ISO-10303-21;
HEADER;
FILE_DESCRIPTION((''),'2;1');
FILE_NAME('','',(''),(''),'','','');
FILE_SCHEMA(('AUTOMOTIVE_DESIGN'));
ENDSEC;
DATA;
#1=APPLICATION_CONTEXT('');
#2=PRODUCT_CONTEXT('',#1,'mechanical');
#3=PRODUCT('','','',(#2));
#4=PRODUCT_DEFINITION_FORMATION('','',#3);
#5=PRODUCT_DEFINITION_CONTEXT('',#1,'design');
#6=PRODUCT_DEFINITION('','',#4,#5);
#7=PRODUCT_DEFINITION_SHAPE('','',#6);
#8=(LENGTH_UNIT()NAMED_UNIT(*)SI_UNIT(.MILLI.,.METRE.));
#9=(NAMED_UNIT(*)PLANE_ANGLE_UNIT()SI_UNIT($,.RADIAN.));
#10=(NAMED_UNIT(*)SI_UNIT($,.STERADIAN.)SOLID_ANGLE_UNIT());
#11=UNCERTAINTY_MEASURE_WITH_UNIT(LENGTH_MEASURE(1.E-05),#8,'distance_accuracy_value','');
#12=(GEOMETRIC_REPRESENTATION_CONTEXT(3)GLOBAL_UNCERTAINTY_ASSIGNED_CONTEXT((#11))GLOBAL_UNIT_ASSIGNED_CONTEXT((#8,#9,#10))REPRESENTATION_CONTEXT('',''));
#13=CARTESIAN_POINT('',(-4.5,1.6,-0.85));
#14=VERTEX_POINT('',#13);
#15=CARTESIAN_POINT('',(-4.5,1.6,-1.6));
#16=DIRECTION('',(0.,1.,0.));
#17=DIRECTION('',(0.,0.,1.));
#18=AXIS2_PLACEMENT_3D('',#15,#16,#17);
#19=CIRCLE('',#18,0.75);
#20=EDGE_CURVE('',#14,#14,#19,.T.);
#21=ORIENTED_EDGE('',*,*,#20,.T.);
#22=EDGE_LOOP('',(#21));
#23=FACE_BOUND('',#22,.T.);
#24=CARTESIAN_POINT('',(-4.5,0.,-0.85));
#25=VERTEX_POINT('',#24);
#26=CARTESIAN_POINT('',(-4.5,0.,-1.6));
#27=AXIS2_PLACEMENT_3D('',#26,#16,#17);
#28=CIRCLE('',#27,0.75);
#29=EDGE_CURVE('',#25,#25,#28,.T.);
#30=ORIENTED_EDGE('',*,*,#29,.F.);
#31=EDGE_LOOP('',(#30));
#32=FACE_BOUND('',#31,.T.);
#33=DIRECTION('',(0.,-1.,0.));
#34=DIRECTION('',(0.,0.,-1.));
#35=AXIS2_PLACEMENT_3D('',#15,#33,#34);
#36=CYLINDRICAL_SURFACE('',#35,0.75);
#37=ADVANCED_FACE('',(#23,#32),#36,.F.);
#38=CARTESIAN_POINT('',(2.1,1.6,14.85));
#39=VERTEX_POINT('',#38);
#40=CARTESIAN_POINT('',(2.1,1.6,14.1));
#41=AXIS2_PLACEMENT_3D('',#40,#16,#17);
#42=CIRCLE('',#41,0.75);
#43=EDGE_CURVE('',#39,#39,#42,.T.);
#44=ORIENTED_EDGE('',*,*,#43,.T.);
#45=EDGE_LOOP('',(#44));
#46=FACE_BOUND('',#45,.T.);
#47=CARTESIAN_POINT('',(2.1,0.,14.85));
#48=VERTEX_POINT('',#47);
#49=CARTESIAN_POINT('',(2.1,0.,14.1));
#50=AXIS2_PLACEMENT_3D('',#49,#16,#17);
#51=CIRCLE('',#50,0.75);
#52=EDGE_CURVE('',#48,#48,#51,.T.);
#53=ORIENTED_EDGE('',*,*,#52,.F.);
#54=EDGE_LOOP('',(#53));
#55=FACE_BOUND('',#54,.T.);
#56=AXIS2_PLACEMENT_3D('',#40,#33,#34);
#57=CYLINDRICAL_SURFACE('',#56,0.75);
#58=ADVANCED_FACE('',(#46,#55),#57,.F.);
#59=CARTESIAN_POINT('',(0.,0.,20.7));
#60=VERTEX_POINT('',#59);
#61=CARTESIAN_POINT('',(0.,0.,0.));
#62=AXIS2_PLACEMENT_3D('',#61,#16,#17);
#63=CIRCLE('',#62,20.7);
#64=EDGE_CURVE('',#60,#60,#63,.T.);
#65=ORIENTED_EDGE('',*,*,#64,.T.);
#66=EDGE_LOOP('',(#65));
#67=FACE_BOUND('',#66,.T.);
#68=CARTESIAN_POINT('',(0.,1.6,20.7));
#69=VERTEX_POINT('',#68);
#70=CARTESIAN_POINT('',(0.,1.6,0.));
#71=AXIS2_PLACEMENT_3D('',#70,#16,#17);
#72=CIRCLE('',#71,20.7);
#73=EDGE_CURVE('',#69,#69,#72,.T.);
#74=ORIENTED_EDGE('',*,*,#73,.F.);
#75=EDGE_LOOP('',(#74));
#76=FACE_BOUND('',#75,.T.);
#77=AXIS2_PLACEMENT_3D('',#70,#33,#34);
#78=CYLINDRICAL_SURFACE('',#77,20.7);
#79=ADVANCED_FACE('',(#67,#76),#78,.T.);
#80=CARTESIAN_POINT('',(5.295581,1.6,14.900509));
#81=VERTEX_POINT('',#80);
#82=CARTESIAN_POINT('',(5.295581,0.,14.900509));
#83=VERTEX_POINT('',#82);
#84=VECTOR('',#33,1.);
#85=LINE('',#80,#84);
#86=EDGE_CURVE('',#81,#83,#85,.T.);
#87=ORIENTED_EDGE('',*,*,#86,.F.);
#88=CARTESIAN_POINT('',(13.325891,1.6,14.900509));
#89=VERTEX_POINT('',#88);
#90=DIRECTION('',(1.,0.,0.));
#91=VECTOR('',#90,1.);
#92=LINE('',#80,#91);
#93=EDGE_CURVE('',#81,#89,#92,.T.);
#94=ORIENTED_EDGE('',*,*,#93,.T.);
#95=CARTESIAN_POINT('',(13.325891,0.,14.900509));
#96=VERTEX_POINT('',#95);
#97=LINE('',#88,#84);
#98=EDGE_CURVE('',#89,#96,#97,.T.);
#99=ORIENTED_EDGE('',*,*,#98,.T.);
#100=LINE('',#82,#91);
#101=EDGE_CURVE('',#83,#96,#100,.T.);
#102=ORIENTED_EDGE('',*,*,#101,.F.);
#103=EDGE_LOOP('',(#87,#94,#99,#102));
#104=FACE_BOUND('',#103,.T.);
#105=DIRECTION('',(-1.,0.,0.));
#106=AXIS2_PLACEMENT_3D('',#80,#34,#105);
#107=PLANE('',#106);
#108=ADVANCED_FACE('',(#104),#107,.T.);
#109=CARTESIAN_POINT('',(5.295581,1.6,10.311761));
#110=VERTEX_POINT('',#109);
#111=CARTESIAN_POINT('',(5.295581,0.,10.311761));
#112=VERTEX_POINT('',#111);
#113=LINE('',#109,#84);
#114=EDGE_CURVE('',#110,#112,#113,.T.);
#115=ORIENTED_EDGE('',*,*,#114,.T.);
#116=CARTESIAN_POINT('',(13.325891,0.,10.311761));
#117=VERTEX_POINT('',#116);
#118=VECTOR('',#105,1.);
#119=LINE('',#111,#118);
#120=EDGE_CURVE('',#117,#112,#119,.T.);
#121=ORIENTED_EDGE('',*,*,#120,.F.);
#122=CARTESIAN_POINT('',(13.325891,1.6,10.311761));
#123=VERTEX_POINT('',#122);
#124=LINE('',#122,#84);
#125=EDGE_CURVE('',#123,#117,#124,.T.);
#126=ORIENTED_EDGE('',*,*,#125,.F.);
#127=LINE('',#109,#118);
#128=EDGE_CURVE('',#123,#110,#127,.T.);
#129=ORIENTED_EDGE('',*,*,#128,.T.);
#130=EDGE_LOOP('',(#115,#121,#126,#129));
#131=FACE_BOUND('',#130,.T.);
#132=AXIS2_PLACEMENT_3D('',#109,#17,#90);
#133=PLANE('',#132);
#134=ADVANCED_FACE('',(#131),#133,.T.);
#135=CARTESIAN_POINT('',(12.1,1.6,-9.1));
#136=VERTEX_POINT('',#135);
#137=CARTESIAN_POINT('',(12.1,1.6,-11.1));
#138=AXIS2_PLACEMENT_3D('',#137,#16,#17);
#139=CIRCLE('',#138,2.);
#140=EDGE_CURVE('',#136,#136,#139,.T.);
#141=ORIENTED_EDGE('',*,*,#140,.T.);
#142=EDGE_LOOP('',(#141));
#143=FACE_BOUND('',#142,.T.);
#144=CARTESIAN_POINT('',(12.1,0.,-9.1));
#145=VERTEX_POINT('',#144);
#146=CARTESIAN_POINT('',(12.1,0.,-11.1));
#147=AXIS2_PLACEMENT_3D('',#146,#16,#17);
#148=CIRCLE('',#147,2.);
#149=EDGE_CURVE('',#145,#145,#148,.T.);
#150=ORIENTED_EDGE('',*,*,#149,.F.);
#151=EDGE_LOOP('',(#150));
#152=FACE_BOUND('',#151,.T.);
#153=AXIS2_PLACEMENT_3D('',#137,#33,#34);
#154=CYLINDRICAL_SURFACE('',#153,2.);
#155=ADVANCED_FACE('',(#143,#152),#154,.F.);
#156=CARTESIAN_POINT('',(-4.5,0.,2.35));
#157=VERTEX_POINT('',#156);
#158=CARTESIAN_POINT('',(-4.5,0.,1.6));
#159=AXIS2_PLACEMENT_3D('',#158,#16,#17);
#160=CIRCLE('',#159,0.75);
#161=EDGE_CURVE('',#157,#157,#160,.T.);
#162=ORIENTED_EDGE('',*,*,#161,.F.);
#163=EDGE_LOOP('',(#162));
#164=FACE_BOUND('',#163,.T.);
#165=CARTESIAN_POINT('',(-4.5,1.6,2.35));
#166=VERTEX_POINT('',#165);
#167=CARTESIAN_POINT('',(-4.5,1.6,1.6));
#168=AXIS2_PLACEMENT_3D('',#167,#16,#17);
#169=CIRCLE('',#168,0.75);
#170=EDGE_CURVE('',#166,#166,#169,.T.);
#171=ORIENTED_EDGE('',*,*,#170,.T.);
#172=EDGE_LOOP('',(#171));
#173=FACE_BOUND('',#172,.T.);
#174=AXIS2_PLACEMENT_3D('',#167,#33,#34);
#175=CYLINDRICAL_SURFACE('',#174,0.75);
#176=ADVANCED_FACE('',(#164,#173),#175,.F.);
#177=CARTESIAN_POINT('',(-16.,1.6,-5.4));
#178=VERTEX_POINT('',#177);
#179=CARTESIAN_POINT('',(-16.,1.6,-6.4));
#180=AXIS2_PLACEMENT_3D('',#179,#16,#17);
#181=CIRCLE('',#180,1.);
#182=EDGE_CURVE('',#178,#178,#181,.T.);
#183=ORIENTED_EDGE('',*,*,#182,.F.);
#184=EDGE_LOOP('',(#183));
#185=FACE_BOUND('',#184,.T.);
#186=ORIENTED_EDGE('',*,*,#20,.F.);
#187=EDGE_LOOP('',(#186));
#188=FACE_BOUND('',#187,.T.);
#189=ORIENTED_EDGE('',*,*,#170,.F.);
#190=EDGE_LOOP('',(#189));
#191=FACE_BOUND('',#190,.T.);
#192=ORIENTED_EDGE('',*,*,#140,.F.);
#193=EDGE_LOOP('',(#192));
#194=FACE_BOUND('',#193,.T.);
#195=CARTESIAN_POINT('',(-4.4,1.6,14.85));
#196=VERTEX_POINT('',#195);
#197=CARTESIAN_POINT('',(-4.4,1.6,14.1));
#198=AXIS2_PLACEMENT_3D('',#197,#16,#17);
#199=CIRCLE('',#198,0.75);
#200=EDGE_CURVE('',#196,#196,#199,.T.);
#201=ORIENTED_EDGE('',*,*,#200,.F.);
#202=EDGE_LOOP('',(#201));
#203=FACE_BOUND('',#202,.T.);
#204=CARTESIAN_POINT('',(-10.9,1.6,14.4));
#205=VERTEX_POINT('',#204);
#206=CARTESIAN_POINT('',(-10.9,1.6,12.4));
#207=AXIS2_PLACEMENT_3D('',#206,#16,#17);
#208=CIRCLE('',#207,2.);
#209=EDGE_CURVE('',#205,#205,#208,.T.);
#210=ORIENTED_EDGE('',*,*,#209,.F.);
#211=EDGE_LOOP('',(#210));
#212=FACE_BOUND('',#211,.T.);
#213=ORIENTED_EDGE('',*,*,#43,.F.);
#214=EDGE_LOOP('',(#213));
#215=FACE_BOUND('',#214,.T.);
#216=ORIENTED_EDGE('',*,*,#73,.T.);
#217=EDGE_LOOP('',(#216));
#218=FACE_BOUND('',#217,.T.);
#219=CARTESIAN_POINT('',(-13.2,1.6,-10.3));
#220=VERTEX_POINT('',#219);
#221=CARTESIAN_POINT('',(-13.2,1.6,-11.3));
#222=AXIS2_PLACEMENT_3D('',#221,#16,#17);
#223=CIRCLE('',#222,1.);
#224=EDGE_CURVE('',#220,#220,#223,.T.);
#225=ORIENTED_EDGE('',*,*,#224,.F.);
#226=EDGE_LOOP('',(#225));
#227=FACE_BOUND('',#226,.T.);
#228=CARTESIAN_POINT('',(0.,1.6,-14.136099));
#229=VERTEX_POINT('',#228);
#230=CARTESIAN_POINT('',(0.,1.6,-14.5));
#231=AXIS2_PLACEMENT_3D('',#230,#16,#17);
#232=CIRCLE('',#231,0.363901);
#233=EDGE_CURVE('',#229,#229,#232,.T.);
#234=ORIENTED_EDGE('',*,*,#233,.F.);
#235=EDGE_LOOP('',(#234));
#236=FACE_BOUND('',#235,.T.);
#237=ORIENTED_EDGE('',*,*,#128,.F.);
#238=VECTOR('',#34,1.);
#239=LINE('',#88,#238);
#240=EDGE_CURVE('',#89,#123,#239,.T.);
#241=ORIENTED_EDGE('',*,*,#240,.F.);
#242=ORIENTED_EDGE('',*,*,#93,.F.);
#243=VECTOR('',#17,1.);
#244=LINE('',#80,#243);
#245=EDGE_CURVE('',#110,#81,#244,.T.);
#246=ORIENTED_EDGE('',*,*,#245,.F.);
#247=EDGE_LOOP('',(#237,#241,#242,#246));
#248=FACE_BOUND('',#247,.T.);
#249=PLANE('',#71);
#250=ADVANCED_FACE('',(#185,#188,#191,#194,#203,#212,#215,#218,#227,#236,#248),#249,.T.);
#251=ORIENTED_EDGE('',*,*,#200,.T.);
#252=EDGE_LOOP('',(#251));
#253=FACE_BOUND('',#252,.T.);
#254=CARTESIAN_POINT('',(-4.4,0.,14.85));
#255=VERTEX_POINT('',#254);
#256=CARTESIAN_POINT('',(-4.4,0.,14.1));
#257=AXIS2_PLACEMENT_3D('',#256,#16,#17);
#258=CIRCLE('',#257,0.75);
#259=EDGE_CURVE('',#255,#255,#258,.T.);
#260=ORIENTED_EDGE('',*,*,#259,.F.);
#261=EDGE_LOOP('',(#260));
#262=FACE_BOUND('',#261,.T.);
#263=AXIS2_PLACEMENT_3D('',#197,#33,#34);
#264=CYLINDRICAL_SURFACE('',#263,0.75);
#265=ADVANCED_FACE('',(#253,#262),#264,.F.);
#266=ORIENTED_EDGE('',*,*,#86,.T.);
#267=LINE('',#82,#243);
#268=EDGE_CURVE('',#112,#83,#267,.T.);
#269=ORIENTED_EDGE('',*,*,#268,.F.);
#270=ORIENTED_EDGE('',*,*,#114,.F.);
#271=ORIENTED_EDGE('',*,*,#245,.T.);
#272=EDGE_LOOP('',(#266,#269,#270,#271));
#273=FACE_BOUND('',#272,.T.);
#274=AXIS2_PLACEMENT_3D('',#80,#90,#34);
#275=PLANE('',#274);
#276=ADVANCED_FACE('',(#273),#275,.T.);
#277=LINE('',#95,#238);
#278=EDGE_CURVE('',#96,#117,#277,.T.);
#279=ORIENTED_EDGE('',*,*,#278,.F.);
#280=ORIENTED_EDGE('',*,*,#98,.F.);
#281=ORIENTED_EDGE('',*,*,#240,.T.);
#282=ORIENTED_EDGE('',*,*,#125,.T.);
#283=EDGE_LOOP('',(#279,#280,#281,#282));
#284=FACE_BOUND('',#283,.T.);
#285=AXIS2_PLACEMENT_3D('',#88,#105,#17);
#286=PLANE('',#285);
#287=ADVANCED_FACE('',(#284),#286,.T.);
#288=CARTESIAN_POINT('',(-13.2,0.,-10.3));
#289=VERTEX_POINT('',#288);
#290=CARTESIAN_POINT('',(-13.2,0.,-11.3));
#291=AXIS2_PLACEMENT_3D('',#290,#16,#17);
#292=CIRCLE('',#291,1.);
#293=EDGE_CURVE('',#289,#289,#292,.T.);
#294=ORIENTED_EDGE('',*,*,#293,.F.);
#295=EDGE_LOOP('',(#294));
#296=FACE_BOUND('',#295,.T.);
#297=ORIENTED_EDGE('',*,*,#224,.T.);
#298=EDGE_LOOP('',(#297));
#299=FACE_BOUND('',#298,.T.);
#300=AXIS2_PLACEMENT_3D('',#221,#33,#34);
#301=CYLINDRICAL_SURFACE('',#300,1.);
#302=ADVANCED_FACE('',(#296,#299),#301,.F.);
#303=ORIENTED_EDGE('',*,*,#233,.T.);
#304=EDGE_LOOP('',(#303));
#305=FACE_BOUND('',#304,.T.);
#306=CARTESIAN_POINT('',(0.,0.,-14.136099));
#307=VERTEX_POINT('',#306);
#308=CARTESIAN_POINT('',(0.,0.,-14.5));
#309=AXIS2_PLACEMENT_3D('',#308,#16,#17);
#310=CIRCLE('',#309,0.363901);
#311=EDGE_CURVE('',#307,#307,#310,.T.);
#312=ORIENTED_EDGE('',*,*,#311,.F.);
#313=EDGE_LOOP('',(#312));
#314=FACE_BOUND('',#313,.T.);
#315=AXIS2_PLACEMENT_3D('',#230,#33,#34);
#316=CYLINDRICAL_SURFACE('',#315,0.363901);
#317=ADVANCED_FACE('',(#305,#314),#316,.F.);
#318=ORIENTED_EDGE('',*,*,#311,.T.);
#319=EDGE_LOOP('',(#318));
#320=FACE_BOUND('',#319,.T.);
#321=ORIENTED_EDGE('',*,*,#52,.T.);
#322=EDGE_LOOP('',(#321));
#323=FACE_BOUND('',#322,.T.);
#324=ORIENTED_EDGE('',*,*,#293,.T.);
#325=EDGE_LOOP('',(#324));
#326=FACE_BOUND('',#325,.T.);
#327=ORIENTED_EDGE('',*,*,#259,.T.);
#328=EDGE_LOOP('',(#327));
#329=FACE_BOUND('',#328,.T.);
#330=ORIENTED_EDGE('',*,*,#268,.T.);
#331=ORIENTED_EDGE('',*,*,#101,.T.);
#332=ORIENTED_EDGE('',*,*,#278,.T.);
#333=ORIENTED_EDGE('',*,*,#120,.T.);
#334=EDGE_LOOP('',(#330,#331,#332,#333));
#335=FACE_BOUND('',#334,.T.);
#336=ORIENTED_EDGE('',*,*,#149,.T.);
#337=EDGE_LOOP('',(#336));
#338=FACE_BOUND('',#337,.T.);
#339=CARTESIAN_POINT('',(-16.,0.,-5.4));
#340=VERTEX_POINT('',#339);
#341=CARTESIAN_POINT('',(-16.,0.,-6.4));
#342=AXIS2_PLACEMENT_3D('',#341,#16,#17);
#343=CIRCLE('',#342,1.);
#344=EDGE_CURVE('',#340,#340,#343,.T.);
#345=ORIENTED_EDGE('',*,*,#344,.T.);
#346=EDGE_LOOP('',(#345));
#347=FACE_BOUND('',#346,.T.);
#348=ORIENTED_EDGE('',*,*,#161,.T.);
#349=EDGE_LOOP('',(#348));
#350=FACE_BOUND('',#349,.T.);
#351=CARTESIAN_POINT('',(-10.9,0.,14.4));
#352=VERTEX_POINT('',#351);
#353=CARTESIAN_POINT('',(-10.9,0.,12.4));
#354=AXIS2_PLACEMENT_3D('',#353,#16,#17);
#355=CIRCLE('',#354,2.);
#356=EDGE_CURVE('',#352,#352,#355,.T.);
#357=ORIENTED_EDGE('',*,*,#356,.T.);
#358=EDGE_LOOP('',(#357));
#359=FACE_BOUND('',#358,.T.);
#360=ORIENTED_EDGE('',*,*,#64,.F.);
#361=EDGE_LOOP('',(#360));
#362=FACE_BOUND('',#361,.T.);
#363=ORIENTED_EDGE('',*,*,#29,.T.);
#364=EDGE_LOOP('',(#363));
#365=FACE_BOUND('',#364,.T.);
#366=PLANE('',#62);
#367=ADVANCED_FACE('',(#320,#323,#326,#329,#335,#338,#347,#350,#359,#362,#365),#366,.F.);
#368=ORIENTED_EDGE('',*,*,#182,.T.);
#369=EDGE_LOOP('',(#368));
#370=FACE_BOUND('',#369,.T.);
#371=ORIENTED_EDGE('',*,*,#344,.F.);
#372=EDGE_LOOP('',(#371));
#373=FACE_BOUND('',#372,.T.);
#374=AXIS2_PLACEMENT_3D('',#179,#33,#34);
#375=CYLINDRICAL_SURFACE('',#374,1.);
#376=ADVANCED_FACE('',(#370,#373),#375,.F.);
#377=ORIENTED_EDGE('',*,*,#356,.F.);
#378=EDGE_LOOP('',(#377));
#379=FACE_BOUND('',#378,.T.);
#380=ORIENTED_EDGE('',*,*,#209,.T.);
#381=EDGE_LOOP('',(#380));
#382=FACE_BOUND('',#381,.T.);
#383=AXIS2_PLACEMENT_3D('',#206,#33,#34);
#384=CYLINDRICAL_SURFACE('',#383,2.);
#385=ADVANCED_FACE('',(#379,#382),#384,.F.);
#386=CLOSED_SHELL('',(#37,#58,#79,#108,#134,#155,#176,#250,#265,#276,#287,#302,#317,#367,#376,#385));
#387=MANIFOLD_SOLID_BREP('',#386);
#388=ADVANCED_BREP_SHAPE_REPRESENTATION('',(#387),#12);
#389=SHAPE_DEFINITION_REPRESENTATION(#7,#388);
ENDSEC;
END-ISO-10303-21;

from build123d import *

# Parameters (mm, degrees)
SKETCH_1_R      = 20.7
SKETCH_1_R_2    = 2
SKETCH_1_R_3    = 1
SKETCH_1_R_4    = 0.363900589
SKETCH_1_R_5    = 0.75
SKETCH_1_W      = 8.030309373
SKETCH_1_H      = 4.588748213
EXTRUDE_1_DEPTH = 1.6


with BuildPart() as part:
    # Эскиз1 → Бобышка-Вытянуть1 (new body)
    with BuildSketch(Plane(origin=(0, 0, 0), x_dir=(1, 0, 0), z_dir=(0, 1, 0))):
        Circle(SKETCH_1_R)
        with Locations((12.1, 11.1)):
            Circle(SKETCH_1_R_2, mode=Mode.SUBTRACT)
        with Locations((-10.9, -12.4)):
            Circle(SKETCH_1_R_2, mode=Mode.SUBTRACT)
        with Locations((-16, 6.4)):
            Circle(SKETCH_1_R_3, mode=Mode.SUBTRACT)
        with Locations((-13.2, 11.3)):
            Circle(SKETCH_1_R_3, mode=Mode.SUBTRACT)
        with Locations((0, 14.5)):
            Circle(SKETCH_1_R_4, mode=Mode.SUBTRACT)
        with Locations((-4.5, 1.6)):
            Circle(SKETCH_1_R_5, mode=Mode.SUBTRACT)
        with Locations((-4.5, -1.6)):
            Circle(SKETCH_1_R_5, mode=Mode.SUBTRACT)
        with Locations((-4.4, -14.1)):
            Circle(SKETCH_1_R_5, mode=Mode.SUBTRACT)
        with Locations((2.1, -14.1)):
            Circle(SKETCH_1_R_5, mode=Mode.SUBTRACT)
        with Locations((9.310736127, -12.60613493)):
            Rectangle(SKETCH_1_W, SKETCH_1_H, mode=Mode.SUBTRACT)
    extrude(amount=EXTRUDE_1_DEPTH)


solid = part.part
